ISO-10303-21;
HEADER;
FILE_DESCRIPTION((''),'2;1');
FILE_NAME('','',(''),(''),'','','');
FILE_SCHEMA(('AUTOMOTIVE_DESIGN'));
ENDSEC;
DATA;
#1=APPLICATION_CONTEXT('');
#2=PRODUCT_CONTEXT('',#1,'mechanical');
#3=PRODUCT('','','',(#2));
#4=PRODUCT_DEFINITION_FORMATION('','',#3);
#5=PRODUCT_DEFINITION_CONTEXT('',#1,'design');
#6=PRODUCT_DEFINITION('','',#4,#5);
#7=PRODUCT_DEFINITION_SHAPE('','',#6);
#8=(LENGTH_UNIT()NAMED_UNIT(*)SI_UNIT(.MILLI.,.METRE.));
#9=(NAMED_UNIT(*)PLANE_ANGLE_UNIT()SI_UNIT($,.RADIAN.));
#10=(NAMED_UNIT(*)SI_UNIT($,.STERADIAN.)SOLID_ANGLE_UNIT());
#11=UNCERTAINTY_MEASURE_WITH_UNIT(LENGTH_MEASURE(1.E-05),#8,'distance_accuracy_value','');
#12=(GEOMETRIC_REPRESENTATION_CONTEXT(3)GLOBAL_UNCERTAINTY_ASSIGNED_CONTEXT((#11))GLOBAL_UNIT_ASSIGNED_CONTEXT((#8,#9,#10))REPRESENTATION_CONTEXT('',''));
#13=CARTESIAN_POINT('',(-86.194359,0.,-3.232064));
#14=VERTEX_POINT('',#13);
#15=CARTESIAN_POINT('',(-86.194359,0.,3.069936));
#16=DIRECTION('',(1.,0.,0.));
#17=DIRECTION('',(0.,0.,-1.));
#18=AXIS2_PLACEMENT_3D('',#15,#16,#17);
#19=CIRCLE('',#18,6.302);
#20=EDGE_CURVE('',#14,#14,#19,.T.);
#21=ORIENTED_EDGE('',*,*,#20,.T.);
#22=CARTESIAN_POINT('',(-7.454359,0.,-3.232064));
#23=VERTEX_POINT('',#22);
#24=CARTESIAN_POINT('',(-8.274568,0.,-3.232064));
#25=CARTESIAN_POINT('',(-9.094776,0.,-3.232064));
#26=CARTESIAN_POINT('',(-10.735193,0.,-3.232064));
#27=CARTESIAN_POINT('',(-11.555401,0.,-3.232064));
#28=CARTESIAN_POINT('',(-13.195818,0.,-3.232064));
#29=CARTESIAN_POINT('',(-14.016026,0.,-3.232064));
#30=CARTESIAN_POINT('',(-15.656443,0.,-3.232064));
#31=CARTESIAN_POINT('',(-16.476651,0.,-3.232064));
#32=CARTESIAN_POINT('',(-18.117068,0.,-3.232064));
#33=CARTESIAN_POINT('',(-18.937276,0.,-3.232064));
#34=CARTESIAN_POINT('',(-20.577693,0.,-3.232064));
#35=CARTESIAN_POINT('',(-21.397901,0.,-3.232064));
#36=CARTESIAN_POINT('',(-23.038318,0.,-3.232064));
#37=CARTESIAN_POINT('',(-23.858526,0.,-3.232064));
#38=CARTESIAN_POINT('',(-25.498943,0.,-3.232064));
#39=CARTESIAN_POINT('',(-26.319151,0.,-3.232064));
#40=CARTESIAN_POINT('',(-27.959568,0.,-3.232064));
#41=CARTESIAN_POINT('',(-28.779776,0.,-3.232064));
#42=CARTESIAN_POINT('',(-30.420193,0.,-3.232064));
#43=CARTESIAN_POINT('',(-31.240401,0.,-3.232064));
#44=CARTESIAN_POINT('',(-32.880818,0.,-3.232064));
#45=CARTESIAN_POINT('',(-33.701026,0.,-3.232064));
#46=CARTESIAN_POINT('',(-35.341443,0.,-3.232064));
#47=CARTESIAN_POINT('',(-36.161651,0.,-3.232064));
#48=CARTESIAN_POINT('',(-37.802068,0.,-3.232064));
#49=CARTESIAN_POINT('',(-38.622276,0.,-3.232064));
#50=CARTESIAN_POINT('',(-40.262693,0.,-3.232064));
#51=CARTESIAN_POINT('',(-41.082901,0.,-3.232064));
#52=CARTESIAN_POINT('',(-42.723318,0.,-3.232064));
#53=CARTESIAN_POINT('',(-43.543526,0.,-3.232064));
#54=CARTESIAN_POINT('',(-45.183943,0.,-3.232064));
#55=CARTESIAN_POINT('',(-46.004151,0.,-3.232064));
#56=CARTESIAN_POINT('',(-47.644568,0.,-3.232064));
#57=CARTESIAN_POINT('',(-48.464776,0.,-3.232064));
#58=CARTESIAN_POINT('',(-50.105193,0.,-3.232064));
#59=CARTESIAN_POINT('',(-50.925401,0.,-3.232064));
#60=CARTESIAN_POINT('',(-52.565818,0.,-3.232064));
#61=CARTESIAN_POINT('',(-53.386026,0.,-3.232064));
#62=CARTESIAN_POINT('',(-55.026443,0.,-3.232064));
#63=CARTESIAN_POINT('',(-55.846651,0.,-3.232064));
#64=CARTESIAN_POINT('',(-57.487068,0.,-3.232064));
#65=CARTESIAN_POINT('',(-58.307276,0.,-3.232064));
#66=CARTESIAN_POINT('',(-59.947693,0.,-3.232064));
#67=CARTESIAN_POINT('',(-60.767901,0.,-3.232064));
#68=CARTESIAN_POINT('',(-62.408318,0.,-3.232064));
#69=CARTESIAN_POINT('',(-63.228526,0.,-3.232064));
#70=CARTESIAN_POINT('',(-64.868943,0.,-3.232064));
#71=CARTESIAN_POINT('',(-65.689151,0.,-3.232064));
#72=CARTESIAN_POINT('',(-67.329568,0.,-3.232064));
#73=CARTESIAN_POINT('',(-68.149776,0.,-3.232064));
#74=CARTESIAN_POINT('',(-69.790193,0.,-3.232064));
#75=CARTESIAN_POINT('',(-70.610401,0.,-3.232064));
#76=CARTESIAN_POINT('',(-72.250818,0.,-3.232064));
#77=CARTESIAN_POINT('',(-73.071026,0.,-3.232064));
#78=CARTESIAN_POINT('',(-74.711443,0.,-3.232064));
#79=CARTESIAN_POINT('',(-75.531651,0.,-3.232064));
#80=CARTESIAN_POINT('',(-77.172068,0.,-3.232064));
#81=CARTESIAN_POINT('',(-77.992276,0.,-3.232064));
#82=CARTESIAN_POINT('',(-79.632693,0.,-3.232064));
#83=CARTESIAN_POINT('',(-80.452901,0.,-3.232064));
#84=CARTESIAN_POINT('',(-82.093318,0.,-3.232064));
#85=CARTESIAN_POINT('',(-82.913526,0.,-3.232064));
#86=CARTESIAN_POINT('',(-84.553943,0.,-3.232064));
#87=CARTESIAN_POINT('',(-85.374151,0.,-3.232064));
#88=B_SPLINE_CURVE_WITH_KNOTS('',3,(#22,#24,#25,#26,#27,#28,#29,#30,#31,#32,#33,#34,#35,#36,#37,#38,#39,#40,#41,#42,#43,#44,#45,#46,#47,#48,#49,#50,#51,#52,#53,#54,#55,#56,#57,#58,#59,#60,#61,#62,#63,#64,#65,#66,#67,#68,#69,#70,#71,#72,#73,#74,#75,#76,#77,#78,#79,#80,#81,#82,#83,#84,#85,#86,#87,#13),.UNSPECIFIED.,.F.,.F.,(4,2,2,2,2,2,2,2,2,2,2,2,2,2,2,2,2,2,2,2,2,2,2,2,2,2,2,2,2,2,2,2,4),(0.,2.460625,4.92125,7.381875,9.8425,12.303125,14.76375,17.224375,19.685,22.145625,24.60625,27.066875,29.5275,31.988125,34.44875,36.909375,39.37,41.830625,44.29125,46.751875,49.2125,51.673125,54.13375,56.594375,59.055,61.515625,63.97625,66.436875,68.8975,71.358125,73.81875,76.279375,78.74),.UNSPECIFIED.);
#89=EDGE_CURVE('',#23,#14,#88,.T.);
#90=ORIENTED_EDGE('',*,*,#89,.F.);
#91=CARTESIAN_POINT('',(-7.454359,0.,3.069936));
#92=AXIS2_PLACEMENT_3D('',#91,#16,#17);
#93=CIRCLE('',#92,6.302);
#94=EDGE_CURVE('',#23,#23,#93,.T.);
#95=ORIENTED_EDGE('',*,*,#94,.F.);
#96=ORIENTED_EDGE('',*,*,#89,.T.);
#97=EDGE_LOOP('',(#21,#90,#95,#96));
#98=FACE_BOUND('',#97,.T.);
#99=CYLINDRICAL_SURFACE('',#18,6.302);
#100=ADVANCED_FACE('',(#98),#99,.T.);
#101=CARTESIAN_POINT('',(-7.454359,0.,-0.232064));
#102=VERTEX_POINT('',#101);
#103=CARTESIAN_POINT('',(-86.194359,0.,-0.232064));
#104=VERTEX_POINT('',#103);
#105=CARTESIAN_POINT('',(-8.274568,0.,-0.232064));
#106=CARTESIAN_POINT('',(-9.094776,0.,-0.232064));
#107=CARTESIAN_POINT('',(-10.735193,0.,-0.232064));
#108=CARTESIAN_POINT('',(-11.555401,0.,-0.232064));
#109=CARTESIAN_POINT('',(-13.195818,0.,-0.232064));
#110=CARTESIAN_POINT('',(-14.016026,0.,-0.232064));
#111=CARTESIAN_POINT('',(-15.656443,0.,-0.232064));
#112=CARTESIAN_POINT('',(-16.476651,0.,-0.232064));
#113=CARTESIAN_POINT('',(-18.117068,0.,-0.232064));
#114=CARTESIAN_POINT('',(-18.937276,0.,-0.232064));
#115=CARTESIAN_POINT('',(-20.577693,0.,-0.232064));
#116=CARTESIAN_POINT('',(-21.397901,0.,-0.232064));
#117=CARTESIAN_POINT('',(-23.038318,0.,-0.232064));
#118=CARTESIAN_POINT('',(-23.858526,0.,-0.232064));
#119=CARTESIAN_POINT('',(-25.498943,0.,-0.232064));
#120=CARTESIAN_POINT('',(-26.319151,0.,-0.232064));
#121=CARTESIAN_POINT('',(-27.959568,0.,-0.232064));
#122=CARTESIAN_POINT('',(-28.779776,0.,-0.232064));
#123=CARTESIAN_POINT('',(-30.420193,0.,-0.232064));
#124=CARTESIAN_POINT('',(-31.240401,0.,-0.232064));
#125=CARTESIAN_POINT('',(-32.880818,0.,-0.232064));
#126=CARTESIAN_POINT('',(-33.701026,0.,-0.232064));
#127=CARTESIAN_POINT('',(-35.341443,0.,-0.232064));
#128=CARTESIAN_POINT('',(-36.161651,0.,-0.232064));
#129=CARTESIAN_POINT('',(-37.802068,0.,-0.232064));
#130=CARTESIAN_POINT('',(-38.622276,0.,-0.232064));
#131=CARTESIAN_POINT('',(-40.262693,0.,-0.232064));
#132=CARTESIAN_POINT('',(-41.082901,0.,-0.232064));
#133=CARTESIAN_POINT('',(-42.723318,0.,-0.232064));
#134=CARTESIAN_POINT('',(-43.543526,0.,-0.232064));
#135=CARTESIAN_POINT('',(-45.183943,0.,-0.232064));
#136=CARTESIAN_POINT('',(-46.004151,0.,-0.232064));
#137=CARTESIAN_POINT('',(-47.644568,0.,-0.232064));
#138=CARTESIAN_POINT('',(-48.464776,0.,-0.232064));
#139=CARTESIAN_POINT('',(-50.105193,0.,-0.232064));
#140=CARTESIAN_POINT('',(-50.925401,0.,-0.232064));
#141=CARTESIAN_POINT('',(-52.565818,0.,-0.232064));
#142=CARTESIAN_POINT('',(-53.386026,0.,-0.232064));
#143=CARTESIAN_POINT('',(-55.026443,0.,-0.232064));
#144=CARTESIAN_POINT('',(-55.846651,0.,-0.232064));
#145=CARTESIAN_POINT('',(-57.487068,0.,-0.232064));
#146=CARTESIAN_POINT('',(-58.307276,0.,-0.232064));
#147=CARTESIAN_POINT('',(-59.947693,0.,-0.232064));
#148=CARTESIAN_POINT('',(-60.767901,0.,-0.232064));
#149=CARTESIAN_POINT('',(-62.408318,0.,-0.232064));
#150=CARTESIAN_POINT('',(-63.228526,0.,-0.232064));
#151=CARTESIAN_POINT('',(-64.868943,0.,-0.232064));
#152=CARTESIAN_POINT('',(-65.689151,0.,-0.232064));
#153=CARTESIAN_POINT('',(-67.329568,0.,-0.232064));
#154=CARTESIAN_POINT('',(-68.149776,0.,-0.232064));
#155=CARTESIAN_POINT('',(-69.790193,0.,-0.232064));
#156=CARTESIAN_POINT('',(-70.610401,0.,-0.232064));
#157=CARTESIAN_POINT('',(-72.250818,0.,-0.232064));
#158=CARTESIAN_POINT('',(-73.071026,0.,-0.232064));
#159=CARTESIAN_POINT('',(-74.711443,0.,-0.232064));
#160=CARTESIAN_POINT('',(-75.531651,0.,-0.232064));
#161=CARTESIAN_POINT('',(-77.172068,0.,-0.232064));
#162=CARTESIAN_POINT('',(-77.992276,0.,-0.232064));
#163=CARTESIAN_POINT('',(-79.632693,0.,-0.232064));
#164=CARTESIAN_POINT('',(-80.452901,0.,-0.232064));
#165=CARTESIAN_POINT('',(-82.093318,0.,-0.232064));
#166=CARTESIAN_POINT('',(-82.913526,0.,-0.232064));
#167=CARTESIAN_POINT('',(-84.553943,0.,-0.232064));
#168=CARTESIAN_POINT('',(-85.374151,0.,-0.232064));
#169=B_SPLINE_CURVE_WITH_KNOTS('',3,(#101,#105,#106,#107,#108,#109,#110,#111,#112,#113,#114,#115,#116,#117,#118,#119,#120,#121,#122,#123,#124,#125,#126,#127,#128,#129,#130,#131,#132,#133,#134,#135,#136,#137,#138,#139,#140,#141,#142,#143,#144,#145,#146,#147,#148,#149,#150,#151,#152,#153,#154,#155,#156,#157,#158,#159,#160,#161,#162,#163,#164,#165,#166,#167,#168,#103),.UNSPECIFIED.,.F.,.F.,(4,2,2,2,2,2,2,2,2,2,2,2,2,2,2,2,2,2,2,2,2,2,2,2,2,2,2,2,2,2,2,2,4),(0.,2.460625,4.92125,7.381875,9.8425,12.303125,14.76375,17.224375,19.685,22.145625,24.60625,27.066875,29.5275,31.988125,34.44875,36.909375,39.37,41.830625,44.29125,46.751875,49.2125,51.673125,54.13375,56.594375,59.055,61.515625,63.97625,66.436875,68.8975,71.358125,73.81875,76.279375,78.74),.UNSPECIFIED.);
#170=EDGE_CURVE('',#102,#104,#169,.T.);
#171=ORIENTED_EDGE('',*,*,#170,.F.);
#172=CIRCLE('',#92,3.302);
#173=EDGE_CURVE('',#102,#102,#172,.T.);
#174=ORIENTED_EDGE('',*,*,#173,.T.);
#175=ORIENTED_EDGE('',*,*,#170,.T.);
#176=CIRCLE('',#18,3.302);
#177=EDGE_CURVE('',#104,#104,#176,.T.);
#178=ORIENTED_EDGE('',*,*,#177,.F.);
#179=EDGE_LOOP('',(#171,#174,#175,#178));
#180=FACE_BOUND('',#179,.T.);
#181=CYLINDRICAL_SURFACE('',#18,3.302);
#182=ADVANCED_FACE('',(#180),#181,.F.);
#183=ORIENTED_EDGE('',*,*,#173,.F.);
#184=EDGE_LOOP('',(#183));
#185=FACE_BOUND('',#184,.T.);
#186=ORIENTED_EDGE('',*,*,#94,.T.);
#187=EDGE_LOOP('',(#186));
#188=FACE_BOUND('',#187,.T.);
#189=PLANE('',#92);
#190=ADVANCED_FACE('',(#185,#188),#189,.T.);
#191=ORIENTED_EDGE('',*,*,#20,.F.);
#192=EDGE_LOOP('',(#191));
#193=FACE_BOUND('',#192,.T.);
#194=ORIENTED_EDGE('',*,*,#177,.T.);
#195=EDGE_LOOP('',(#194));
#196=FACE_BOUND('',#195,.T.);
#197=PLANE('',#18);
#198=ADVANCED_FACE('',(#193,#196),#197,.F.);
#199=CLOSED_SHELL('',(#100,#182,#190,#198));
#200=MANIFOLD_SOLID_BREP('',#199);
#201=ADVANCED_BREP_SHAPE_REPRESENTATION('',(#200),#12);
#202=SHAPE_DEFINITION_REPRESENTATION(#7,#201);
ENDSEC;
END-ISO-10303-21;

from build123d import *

# Parameters (mm, degrees)
SWEEP_THIN1_PROFILE_R   = 6.302
SWEEP_THIN1_PROFILE_R_2 = 3.302


with BuildPart() as part:
    # Sweep-Thin1: sweep along a path in Sketch1
    with BuildLine(Plane(origin=(0, 0, 0), x_dir=(1, 0, 0), z_dir=(0, 1, 0))) as sweep_thin1_path:
        Line((-86.194359401, -3.069936088), (-7.454359401, -3.069936088))
    # Sweep-Thin1 profile (on start of the path) → Sweep-Thin1 (sweep)
    with BuildSketch(Plane(origin=(-86.194359401, 0, 3.069936088), x_dir=(0, 0, 1), z_dir=(1, 0, 0))):
        Circle(SWEEP_THIN1_PROFILE_R)
        Circle(SWEEP_THIN1_PROFILE_R_2, mode=Mode.SUBTRACT)
    sweep(path=sweep_thin1_path.line)


solid = part.part
